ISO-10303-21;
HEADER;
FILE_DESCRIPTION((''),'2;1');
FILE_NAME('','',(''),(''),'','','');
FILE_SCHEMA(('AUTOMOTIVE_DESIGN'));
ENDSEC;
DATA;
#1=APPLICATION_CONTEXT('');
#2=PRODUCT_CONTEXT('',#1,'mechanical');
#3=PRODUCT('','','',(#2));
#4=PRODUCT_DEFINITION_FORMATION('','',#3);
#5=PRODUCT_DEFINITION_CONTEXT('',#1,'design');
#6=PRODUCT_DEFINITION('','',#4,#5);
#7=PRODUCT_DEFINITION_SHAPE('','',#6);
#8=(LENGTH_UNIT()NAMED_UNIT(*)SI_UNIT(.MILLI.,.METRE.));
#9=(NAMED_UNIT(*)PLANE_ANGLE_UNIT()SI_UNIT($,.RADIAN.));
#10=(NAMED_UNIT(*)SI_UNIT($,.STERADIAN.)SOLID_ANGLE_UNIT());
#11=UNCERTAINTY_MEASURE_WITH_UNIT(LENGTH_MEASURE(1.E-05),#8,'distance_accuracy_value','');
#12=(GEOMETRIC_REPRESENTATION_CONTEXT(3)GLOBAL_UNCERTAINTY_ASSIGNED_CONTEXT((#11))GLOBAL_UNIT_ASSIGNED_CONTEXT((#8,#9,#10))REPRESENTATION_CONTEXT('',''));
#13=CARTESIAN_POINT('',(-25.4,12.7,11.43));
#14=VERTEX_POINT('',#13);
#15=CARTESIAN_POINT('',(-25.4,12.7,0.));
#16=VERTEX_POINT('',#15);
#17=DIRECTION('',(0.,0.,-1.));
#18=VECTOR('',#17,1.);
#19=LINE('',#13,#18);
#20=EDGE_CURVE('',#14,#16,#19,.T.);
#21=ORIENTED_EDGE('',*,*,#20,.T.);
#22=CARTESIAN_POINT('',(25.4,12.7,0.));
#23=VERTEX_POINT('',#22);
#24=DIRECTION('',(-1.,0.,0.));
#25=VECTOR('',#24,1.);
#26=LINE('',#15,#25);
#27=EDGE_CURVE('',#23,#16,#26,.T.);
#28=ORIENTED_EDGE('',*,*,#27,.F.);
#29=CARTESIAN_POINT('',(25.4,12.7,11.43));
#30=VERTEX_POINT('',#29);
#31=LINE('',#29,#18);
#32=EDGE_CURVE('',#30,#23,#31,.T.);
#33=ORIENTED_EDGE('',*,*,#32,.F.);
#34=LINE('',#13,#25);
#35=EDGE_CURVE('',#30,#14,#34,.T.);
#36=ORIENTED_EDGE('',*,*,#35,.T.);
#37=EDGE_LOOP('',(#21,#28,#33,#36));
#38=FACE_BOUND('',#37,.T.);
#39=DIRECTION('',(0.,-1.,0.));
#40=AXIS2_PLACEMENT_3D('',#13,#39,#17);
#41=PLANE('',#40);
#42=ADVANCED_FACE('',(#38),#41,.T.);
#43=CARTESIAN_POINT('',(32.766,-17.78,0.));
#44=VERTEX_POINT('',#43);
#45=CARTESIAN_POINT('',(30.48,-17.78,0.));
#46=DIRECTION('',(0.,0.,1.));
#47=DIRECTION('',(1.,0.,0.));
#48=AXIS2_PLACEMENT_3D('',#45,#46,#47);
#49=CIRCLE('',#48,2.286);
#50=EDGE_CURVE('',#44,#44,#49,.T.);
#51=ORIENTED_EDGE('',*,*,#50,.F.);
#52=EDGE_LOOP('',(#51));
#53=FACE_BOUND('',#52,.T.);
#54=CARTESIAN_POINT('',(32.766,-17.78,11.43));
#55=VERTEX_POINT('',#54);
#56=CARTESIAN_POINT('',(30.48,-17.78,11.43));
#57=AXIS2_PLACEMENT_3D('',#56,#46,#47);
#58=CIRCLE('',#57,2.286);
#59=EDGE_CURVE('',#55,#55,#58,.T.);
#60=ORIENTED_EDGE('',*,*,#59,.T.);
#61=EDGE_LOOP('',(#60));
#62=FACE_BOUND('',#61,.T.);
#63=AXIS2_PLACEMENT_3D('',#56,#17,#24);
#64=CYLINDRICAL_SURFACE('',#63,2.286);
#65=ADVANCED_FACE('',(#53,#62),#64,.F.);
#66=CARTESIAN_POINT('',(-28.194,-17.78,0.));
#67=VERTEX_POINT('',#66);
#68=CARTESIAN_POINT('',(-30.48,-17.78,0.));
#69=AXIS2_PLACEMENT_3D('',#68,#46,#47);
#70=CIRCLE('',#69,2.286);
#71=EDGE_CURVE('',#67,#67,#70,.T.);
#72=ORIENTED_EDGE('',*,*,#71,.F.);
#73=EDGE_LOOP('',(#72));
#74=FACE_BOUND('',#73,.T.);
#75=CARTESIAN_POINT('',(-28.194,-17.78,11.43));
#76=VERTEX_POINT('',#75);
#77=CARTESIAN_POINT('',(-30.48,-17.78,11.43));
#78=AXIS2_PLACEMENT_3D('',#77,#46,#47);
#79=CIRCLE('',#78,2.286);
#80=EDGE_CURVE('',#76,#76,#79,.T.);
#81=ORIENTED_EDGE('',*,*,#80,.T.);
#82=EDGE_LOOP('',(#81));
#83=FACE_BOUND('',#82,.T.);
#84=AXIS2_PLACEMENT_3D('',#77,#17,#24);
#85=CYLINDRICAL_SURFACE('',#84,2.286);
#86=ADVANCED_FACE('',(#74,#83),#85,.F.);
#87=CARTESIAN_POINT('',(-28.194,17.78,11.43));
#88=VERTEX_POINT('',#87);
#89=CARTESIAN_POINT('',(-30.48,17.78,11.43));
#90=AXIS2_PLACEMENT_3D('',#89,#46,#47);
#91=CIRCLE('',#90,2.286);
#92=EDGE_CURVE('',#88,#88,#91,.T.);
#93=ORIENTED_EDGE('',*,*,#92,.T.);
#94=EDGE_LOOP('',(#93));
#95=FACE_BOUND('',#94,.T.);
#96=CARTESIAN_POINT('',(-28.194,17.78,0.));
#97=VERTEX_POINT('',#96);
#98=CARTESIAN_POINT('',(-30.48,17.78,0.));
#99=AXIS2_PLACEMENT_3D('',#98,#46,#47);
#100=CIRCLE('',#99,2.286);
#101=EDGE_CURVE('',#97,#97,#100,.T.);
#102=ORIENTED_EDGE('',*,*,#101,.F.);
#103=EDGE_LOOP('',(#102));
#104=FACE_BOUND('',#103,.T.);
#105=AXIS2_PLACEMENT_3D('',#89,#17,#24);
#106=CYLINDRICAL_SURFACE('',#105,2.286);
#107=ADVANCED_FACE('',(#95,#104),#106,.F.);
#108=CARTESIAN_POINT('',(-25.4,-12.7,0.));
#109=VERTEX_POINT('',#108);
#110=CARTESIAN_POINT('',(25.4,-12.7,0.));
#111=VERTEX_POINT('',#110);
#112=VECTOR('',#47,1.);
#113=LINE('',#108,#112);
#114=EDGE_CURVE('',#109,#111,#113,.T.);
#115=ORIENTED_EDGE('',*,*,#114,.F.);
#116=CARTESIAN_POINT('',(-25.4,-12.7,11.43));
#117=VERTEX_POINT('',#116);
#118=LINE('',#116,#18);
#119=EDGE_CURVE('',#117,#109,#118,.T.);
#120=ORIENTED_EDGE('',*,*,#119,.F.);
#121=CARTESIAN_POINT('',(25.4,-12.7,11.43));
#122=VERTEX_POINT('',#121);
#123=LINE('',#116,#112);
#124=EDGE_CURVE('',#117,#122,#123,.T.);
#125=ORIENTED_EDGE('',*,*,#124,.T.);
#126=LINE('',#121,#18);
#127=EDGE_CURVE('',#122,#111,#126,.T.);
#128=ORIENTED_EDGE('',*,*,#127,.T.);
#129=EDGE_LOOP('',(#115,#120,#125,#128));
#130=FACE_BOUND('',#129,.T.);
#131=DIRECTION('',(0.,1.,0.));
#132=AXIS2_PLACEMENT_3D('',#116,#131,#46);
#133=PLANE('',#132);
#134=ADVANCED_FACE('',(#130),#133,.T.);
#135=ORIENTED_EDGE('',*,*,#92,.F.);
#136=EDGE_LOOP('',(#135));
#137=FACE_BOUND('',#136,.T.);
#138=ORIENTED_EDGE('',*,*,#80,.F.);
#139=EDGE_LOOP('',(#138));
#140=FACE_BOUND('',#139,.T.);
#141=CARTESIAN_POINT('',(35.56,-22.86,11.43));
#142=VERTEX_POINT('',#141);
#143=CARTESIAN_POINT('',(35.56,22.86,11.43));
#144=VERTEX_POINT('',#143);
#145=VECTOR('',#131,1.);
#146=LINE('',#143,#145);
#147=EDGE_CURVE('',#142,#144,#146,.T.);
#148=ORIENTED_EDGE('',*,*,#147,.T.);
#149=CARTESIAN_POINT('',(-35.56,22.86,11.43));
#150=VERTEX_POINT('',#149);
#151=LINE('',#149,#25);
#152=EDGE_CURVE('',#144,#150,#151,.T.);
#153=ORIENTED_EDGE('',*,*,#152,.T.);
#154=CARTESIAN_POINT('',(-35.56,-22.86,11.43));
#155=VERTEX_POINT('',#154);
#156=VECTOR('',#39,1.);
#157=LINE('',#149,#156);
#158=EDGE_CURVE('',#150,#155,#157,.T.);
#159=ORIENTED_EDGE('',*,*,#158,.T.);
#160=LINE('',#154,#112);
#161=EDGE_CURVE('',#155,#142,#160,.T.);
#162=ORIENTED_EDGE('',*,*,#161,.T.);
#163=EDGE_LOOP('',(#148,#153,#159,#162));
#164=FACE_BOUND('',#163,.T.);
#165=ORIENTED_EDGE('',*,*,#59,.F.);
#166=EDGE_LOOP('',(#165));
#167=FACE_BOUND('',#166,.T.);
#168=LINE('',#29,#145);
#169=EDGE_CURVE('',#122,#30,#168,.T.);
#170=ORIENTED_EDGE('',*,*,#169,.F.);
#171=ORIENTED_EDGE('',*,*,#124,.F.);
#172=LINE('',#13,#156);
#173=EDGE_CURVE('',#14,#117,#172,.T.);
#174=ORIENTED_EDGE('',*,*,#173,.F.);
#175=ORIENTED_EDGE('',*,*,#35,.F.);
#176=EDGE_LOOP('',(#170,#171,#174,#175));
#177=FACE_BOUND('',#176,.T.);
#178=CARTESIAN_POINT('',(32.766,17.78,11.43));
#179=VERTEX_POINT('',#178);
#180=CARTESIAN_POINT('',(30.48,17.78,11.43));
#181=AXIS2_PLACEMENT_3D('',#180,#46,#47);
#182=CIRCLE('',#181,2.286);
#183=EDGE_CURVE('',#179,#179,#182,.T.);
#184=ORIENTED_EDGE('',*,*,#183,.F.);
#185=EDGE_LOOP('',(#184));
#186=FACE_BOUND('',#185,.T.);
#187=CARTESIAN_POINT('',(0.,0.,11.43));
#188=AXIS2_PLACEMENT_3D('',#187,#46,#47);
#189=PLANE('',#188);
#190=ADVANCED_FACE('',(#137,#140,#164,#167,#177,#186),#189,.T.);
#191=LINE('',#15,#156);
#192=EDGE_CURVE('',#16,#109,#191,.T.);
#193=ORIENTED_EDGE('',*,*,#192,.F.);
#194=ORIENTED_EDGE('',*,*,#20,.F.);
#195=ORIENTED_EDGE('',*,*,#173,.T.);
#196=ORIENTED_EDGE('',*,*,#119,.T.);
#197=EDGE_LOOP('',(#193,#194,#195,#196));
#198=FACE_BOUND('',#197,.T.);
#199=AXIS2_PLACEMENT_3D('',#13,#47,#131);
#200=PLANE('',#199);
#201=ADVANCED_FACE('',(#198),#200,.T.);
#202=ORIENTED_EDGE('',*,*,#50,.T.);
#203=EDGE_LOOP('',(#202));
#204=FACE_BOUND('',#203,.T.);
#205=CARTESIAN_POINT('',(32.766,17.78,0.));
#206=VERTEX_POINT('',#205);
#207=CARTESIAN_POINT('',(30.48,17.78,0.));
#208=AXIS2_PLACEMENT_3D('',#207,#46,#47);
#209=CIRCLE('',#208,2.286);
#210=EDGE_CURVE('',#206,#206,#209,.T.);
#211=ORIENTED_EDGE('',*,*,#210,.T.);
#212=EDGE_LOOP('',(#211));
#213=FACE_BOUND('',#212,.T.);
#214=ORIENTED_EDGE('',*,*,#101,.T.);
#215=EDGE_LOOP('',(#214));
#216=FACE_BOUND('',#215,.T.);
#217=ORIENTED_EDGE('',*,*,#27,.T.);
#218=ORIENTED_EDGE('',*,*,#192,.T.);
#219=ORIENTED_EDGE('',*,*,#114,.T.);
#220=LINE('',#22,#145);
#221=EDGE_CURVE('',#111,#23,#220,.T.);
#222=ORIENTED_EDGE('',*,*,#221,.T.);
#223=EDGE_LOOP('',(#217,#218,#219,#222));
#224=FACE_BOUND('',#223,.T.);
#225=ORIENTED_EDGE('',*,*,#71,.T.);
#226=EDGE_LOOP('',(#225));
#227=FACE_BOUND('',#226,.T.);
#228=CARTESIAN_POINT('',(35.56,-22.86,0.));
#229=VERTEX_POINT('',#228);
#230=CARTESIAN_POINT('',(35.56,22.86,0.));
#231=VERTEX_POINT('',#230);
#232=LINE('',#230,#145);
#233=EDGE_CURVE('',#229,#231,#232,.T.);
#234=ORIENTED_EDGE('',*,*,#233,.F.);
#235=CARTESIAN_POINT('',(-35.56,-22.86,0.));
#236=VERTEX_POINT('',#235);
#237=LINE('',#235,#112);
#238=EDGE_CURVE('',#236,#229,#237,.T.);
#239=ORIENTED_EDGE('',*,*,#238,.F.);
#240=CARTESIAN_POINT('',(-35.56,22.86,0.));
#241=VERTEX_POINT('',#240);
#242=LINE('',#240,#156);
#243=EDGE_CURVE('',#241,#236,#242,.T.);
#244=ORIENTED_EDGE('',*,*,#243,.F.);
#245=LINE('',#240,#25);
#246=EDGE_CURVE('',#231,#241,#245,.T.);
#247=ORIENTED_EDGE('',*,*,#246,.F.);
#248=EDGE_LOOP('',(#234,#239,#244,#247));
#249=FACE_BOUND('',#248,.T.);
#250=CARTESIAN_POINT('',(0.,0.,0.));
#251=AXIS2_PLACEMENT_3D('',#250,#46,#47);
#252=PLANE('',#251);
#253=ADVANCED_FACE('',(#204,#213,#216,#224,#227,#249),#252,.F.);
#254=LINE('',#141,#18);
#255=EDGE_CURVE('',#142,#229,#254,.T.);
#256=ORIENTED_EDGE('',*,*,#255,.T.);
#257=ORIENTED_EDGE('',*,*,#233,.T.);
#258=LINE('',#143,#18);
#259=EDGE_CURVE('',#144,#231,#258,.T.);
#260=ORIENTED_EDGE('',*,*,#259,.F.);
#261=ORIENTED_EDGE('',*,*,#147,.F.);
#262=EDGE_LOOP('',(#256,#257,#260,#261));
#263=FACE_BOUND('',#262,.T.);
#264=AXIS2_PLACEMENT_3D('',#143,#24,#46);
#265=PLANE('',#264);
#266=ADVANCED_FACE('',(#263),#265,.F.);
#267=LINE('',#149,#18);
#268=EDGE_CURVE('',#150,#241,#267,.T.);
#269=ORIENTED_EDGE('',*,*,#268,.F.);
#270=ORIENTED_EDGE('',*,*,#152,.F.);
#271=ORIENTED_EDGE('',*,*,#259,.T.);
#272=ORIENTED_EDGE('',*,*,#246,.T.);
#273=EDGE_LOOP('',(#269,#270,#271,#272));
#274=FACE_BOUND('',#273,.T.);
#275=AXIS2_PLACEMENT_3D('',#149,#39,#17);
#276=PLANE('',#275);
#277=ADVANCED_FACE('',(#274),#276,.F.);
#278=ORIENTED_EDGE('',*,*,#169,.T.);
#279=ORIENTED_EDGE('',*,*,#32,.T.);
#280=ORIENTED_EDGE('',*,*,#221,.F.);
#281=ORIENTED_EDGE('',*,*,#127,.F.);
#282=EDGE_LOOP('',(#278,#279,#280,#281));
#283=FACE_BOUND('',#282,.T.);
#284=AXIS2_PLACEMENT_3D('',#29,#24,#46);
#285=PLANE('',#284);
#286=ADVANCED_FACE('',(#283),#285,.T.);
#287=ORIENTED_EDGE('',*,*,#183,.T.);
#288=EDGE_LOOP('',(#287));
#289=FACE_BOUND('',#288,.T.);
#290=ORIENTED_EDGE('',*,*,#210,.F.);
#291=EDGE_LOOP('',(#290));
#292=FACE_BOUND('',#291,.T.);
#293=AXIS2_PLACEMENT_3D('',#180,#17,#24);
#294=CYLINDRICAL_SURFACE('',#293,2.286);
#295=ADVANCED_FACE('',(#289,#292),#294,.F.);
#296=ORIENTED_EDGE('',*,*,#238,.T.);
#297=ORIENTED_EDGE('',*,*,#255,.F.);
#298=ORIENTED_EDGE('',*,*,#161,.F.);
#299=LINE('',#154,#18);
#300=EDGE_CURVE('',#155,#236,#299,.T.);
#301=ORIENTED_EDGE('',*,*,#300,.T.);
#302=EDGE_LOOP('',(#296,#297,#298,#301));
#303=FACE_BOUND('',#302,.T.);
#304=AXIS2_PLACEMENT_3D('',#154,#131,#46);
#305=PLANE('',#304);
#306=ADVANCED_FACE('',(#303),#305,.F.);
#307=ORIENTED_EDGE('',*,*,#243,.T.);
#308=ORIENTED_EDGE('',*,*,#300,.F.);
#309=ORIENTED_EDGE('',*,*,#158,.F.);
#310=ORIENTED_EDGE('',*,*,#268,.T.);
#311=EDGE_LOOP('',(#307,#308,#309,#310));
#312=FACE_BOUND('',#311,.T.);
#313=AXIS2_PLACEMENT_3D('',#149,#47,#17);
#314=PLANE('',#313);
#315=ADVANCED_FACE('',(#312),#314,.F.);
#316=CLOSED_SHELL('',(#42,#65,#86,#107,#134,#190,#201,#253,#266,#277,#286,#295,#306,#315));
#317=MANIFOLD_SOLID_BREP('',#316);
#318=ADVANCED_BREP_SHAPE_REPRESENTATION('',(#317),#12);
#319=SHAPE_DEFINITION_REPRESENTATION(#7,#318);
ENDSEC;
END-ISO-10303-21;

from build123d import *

# Parameters (mm, degrees)
SKETCH1_W           = 71.12
SKETCH1_H           = 45.72
SKETCH1_R           = 2.286
SKETCH1_W_2         = 50.8
SKETCH1_H_2         = 25.4
BOSS_EXTRUDE1_DEPTH = 11.43


with BuildPart() as part:
    # Sketch1 → Boss-Extrude1 (new body)
    with BuildSketch(Plane.XY):
        Rectangle(SKETCH1_W, SKETCH1_H)
        with Locations((-30.48, 17.78)):
            Circle(SKETCH1_R, mode=Mode.SUBTRACT)
        with Locations((-30.48, -17.78)):
            Circle(SKETCH1_R, mode=Mode.SUBTRACT)
        with Locations((30.48, -17.78)):
            Circle(SKETCH1_R, mode=Mode.SUBTRACT)
        with Locations((30.48, 17.78)):
            Circle(SKETCH1_R, mode=Mode.SUBTRACT)
        Rectangle(SKETCH1_W_2, SKETCH1_H_2, mode=Mode.SUBTRACT)
    extrude(amount=BOSS_EXTRUDE1_DEPTH)


solid = part.part
